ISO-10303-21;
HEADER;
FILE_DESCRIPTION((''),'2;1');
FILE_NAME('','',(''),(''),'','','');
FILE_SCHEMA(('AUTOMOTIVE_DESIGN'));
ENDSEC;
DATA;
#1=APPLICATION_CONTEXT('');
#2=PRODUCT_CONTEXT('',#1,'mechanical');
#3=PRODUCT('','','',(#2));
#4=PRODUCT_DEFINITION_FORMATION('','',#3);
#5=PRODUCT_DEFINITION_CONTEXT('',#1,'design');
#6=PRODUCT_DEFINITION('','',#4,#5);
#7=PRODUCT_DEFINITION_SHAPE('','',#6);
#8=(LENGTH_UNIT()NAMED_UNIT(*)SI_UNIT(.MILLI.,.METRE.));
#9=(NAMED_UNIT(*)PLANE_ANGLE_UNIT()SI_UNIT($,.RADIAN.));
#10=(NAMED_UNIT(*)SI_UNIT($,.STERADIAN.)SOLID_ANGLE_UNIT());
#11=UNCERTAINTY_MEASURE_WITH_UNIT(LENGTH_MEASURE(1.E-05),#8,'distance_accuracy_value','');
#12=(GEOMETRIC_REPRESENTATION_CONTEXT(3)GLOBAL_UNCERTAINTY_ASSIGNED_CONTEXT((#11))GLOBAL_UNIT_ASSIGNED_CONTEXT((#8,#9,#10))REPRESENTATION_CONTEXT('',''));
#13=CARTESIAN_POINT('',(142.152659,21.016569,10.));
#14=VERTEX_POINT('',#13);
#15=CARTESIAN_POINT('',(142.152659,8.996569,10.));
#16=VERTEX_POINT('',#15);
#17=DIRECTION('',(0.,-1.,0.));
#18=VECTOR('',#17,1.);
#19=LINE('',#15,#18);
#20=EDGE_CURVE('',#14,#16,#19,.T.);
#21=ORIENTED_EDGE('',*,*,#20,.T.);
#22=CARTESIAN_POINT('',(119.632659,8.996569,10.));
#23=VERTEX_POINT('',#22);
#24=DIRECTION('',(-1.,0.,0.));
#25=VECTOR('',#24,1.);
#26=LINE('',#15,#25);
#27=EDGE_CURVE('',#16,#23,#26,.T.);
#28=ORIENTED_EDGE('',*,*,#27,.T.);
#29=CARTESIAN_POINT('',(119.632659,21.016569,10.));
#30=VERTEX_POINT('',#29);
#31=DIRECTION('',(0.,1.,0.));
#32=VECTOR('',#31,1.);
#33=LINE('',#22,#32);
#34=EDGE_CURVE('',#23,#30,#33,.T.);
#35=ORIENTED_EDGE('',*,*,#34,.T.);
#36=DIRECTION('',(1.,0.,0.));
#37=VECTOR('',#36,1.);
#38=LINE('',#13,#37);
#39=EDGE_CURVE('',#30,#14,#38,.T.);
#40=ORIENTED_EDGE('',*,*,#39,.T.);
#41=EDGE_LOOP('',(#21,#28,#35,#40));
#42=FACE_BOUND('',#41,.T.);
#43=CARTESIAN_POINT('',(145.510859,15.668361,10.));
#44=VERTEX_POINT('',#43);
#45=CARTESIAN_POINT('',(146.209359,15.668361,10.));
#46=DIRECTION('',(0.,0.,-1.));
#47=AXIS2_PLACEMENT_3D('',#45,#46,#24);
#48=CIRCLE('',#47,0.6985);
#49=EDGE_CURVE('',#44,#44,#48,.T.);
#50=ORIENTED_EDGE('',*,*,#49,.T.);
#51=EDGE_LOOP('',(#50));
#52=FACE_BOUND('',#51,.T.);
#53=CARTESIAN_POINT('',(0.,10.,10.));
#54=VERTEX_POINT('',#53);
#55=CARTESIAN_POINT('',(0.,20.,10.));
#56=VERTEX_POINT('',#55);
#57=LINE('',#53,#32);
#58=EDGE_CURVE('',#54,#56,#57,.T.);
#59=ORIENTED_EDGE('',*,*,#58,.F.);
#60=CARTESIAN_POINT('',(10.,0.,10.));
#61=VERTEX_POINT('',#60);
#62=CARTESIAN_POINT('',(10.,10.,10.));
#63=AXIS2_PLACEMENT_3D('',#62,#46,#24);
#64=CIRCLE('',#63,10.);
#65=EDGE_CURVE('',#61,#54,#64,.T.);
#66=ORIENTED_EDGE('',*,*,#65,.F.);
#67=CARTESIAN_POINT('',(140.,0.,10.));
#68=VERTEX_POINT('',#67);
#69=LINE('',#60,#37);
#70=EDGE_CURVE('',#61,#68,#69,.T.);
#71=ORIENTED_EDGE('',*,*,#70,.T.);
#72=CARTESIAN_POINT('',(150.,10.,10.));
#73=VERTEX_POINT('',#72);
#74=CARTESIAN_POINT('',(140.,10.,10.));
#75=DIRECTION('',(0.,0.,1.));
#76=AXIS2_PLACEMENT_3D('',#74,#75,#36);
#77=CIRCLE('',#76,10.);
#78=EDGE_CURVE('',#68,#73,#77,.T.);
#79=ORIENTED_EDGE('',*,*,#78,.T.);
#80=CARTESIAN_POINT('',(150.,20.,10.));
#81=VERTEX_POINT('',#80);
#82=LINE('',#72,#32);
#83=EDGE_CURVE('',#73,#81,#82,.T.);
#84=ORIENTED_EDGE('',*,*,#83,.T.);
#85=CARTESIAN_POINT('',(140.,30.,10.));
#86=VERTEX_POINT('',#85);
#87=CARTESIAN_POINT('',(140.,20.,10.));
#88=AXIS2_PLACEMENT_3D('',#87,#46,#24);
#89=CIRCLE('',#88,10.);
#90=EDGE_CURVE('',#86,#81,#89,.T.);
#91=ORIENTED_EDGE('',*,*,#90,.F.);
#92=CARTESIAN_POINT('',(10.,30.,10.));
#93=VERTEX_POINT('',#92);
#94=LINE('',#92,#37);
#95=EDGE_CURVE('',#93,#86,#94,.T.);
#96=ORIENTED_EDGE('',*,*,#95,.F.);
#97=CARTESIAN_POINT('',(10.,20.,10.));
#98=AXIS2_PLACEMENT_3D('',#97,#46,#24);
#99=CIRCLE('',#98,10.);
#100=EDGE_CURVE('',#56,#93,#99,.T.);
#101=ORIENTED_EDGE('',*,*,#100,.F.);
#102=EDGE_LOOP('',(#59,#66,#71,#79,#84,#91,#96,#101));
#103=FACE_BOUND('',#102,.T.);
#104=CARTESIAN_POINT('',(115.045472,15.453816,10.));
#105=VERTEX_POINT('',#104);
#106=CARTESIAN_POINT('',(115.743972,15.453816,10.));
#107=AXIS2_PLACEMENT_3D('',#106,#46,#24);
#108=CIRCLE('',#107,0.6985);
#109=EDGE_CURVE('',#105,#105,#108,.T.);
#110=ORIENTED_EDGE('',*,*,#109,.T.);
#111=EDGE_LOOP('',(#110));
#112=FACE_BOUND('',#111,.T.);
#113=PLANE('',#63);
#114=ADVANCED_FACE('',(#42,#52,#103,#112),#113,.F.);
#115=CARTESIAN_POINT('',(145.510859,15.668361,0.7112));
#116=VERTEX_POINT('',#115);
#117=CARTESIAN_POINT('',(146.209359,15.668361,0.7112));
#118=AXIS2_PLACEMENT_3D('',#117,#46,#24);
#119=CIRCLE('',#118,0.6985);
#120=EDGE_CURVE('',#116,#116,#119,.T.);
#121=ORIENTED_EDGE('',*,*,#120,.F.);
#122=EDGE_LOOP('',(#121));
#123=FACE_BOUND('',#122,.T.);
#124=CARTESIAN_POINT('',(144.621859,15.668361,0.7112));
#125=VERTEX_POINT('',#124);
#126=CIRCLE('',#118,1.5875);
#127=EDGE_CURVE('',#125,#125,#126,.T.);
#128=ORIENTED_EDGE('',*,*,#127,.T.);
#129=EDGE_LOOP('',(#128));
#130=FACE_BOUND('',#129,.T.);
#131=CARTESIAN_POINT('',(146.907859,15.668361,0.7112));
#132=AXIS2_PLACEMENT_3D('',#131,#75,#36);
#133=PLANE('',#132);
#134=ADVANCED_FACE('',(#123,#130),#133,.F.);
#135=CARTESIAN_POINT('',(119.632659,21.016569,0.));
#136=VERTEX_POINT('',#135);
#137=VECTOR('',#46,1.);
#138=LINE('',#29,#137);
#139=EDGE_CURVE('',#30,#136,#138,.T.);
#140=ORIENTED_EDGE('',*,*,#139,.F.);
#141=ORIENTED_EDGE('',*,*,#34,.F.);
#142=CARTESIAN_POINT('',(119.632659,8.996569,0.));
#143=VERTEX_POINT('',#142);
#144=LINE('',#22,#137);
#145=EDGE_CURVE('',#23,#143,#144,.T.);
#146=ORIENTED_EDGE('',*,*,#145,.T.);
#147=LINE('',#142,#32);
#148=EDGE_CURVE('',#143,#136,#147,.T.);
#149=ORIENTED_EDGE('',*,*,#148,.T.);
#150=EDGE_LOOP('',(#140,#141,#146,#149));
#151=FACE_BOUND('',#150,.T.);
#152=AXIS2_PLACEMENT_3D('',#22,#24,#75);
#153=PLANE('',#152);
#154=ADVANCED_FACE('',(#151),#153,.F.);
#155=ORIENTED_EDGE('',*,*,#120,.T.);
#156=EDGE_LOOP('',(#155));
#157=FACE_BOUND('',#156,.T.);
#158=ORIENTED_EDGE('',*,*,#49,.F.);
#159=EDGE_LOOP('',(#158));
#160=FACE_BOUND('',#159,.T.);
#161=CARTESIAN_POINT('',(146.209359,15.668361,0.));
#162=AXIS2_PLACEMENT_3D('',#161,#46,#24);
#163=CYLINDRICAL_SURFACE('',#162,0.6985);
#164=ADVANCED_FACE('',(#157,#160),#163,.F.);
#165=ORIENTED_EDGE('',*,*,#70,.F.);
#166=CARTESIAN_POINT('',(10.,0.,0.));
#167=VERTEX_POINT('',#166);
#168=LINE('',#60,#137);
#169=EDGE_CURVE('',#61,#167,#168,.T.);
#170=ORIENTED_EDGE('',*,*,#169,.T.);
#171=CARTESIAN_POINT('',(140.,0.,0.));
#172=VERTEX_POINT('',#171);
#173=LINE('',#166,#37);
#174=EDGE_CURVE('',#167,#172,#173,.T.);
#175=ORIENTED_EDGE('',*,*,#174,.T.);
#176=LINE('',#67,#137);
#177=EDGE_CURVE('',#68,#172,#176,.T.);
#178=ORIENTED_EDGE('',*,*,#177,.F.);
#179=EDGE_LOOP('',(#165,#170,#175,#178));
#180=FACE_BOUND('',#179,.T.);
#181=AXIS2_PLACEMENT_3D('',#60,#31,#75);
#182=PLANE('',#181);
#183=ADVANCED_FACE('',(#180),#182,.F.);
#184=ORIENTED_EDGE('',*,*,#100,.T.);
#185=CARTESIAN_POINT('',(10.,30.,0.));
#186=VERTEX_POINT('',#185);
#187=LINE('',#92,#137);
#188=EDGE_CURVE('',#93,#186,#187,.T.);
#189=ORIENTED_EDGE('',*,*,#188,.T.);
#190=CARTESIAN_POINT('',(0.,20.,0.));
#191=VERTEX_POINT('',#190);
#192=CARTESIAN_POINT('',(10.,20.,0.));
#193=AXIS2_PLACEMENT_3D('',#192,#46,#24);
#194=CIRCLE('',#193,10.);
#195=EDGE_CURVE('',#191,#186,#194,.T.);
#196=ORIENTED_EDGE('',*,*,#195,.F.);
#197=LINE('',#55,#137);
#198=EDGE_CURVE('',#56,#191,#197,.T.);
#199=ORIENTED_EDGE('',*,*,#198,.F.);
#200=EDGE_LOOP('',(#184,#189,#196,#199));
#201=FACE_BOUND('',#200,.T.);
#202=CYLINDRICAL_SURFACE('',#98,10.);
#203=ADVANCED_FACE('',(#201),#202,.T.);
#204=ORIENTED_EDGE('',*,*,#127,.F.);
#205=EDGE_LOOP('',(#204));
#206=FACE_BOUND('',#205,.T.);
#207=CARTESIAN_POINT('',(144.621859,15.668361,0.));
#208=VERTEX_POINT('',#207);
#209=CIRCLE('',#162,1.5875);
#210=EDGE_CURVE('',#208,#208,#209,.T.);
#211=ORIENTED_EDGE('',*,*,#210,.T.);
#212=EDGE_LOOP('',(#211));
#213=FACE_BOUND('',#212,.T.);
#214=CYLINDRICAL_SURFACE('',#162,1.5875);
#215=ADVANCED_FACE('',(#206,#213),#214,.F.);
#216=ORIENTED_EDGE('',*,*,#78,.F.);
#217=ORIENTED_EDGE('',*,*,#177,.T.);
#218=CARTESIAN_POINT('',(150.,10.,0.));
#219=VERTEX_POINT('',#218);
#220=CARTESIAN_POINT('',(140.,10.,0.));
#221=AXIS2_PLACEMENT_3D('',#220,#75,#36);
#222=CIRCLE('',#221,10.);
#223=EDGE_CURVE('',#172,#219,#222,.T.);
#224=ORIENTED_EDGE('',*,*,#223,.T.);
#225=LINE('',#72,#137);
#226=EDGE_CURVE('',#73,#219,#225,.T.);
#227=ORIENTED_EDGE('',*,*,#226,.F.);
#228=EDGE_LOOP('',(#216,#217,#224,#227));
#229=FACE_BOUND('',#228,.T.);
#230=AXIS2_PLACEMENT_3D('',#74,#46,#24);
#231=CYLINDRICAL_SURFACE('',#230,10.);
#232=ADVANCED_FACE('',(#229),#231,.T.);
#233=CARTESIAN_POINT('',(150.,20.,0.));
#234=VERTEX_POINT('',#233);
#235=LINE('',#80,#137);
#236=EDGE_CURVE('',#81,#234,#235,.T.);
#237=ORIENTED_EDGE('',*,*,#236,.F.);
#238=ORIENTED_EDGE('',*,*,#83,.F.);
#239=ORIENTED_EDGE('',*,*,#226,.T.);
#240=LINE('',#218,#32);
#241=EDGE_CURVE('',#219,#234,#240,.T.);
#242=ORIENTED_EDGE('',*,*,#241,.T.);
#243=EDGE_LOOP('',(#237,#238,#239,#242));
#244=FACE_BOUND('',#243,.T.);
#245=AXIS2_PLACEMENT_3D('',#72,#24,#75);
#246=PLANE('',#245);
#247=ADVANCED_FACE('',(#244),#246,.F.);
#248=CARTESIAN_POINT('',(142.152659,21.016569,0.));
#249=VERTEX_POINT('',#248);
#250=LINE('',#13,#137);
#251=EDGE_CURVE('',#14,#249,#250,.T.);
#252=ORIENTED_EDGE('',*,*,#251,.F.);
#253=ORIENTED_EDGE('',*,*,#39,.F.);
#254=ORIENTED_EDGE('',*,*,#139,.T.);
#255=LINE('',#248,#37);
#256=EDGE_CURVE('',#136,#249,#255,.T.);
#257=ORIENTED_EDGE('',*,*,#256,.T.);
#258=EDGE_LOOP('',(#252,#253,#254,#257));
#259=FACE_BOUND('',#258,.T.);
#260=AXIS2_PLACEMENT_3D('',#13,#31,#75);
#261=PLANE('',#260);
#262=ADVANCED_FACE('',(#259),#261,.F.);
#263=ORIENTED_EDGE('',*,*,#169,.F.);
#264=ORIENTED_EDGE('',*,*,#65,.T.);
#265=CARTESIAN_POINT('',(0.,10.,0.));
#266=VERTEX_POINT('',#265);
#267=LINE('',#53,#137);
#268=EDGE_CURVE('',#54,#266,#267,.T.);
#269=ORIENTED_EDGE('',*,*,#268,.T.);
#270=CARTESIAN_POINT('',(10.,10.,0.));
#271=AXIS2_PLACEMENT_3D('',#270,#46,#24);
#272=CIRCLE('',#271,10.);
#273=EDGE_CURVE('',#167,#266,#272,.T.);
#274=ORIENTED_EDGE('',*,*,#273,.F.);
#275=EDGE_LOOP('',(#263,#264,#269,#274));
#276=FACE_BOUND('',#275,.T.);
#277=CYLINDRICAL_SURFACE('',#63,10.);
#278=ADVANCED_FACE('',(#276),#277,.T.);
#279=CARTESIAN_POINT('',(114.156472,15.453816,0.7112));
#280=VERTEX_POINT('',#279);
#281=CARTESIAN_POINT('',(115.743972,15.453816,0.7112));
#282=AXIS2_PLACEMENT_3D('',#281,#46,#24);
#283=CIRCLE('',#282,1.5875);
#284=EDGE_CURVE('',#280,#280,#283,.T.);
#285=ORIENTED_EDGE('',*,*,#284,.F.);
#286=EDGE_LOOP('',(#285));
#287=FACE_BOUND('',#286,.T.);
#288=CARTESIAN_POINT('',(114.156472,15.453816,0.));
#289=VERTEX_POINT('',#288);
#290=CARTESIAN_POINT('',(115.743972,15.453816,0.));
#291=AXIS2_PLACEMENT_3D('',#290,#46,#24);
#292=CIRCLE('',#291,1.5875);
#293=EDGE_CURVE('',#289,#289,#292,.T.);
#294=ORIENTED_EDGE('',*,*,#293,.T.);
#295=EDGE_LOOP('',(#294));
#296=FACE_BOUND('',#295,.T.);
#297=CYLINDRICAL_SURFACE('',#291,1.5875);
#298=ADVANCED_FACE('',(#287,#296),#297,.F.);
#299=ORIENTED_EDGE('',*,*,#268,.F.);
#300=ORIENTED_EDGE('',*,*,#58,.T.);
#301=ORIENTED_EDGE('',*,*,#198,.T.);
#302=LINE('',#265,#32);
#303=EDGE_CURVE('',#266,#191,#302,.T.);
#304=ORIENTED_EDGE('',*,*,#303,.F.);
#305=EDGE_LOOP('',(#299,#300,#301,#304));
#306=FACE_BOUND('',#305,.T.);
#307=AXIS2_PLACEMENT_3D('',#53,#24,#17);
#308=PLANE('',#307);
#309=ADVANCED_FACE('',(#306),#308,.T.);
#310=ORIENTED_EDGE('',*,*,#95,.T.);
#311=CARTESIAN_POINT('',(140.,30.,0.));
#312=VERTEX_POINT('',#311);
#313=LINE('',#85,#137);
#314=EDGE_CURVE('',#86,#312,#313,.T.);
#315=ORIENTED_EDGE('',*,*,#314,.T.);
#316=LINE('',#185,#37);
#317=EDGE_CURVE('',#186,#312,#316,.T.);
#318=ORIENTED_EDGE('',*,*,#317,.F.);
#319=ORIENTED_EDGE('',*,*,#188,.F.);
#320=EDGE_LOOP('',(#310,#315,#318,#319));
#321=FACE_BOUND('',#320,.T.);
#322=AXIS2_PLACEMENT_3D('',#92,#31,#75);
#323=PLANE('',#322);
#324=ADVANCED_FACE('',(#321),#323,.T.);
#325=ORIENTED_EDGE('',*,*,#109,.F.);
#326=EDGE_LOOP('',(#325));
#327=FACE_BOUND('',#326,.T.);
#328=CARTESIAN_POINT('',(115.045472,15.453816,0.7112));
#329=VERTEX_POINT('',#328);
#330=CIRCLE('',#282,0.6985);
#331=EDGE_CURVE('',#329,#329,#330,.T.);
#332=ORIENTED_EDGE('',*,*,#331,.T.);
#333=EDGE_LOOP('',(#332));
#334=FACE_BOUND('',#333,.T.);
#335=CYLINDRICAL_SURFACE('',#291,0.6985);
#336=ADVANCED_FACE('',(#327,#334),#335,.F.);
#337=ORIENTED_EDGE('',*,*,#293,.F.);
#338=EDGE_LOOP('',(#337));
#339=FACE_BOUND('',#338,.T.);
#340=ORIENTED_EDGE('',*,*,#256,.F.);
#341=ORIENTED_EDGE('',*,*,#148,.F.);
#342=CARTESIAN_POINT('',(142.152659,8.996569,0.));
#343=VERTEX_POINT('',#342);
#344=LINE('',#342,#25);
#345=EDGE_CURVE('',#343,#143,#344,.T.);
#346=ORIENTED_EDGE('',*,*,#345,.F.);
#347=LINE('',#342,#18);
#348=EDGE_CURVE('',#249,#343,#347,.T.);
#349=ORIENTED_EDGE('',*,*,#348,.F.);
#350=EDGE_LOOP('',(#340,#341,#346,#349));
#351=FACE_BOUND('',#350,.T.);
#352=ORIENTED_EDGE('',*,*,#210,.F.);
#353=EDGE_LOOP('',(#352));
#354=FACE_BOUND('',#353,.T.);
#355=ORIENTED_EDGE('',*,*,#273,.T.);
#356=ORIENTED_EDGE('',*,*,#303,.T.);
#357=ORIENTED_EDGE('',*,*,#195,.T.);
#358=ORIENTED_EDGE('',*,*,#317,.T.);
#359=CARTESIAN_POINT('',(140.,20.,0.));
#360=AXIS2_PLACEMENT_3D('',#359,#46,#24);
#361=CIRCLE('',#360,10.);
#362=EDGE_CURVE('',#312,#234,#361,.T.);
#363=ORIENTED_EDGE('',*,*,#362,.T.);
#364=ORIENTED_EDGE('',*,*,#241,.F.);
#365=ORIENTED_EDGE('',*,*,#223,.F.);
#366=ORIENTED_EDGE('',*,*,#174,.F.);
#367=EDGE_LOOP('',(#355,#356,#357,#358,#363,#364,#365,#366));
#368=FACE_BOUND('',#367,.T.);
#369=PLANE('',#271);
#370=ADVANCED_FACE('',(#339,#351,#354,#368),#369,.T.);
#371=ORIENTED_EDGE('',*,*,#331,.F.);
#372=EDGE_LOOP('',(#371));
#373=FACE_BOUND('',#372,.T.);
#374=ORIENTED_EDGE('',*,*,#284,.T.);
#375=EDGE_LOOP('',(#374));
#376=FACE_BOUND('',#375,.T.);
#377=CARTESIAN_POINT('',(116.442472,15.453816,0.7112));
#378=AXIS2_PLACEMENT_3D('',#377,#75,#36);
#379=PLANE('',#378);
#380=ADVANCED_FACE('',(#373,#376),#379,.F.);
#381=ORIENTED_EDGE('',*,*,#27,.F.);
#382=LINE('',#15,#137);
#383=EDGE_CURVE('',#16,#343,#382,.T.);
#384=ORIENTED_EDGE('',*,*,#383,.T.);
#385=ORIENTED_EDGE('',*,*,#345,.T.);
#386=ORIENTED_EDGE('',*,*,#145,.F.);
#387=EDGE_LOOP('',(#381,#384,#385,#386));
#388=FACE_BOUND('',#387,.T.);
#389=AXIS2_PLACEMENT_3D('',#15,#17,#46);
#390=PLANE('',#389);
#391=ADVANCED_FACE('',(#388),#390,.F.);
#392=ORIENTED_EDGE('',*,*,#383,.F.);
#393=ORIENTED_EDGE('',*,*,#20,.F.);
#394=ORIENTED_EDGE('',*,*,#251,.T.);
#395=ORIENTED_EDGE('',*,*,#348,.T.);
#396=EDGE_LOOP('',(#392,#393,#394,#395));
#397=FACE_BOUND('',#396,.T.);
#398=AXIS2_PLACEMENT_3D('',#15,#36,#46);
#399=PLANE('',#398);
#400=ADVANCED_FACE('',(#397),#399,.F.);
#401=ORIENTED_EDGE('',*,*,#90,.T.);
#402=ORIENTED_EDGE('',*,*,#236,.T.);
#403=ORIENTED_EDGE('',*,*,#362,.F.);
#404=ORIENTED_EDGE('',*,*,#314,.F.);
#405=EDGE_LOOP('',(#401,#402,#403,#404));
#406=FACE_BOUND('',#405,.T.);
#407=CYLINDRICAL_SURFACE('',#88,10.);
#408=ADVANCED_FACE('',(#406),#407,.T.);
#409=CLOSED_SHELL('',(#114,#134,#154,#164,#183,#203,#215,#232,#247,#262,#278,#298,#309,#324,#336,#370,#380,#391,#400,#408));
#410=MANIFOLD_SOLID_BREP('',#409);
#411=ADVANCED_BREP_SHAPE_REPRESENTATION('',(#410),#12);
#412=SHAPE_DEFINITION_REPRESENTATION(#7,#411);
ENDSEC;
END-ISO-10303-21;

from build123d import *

# Parameters (mm, degrees)
BOSS_EXTRUDE1_DEPTH                                 = 10
SKETCH2_W                                           = 22.52
SKETCH2_H                                           = 12.02
CUT_EXTRUDE1_DEPTH                                  = 154.297097168
CBORE_FOR_00_BINDING_HEAD_MACHINE_SCREW_D           = 1.397
CBORE_FOR_00_BINDING_HEAD_MACHINE_SCREW_CBORE_D     = 3.175
CBORE_FOR_00_BINDING_HEAD_MACHINE_SCREW_CBORE_DEPTH = 0.7112


with BuildPart() as part:
    # Sketch1 → Boss-Extrude1 (new body)
    with BuildSketch(Plane.XY):
        with BuildLine():
            Line((10, 0), (140, 0))
            ThreePointArc((140, 0), (147.071067812, 2.928932188), (150, 10))
            Line((150, 10), (150, 20))
            ThreePointArc((150, 20), (147.071067812, 27.071067812), (140, 30))
            Line((140, 30), (10, 30))
            ThreePointArc((10, 30), (2.928932188, 27.071067812), (0, 20))
            Line((0, 20), (0, 10))
            ThreePointArc((0, 10), (2.928932188, 2.928932188), (10, 0))
        make_face()
    extrude(amount=BOSS_EXTRUDE1_DEPTH)

    # Sketch2 → Cut-Extrude1 (cut, through all)
    with BuildSketch(Plane(origin=(0, 0, 0), x_dir=(-1, 0, 0), z_dir=(0, 0, -1))):
        with Locations((-130.892658662, 15.006569468)):
            Rectangle(SKETCH2_W, SKETCH2_H)
    extrude(amount=-CUT_EXTRUDE1_DEPTH, mode=Mode.SUBTRACT)

    # CBORE for #00 Binding Head Machine Screw3 (through all)
    with Locations(Plane(origin=(0, 0, 0), x_dir=(-1, 0, 0), z_dir=(0, 0, -1))):
        with Locations((-146.209359197, 15.668360935), (-115.743972015, 15.453815955)):
            CounterBoreHole(CBORE_FOR_00_BINDING_HEAD_MACHINE_SCREW_D / 2, CBORE_FOR_00_BINDING_HEAD_MACHINE_SCREW_CBORE_D / 2, CBORE_FOR_00_BINDING_HEAD_MACHINE_SCREW_CBORE_DEPTH)


solid = part.part
